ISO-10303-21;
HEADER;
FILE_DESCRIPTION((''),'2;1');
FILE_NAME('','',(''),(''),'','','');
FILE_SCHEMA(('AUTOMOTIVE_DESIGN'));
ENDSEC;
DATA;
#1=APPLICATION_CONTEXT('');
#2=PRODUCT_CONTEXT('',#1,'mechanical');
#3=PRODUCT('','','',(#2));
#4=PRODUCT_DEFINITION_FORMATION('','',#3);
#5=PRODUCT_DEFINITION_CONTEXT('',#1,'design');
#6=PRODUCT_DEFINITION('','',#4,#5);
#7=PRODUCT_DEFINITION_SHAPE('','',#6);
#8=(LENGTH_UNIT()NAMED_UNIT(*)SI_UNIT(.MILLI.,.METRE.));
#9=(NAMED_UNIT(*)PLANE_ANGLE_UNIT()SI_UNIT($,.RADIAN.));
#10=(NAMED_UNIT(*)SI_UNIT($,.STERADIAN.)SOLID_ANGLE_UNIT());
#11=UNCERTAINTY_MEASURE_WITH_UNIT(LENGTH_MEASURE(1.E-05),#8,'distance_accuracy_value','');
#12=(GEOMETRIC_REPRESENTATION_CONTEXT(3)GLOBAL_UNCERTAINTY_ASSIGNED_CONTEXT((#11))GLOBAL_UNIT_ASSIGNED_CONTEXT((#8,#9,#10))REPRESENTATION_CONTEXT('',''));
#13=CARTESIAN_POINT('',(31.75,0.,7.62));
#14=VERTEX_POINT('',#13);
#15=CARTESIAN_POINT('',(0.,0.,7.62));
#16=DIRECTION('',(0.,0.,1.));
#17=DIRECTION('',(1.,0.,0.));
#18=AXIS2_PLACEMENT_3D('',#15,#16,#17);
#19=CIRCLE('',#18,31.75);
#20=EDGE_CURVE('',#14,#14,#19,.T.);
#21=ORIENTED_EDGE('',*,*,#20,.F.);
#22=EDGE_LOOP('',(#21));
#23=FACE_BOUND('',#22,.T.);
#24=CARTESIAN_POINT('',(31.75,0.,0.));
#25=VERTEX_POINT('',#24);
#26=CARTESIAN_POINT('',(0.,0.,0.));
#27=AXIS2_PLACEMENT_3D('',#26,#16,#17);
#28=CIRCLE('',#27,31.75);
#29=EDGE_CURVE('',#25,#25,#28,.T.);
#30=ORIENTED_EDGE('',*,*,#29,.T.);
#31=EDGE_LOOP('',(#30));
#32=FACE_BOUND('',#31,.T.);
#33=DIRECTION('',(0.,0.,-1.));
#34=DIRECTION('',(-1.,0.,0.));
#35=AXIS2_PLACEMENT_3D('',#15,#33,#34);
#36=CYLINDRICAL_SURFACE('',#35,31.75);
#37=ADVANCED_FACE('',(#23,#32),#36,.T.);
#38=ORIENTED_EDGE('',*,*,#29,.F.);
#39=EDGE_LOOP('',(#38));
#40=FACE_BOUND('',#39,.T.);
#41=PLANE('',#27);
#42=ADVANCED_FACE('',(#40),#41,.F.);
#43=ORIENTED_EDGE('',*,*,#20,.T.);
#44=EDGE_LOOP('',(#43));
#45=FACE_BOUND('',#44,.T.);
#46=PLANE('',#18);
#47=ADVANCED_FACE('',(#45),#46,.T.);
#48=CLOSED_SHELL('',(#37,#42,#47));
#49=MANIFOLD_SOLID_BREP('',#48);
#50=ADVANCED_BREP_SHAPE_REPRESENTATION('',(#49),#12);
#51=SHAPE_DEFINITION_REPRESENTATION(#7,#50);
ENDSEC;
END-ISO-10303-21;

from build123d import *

# Parameters (mm, degrees)
SKETCH1_R           = 31.75
BOSS_EXTRUDE1_DEPTH = 7.62


with BuildPart() as part:
    # Sketch1 → Boss-Extrude1 (new body)
    with BuildSketch(Plane.XY):
        Circle(SKETCH1_R)
    extrude(amount=BOSS_EXTRUDE1_DEPTH)


solid = part.part
